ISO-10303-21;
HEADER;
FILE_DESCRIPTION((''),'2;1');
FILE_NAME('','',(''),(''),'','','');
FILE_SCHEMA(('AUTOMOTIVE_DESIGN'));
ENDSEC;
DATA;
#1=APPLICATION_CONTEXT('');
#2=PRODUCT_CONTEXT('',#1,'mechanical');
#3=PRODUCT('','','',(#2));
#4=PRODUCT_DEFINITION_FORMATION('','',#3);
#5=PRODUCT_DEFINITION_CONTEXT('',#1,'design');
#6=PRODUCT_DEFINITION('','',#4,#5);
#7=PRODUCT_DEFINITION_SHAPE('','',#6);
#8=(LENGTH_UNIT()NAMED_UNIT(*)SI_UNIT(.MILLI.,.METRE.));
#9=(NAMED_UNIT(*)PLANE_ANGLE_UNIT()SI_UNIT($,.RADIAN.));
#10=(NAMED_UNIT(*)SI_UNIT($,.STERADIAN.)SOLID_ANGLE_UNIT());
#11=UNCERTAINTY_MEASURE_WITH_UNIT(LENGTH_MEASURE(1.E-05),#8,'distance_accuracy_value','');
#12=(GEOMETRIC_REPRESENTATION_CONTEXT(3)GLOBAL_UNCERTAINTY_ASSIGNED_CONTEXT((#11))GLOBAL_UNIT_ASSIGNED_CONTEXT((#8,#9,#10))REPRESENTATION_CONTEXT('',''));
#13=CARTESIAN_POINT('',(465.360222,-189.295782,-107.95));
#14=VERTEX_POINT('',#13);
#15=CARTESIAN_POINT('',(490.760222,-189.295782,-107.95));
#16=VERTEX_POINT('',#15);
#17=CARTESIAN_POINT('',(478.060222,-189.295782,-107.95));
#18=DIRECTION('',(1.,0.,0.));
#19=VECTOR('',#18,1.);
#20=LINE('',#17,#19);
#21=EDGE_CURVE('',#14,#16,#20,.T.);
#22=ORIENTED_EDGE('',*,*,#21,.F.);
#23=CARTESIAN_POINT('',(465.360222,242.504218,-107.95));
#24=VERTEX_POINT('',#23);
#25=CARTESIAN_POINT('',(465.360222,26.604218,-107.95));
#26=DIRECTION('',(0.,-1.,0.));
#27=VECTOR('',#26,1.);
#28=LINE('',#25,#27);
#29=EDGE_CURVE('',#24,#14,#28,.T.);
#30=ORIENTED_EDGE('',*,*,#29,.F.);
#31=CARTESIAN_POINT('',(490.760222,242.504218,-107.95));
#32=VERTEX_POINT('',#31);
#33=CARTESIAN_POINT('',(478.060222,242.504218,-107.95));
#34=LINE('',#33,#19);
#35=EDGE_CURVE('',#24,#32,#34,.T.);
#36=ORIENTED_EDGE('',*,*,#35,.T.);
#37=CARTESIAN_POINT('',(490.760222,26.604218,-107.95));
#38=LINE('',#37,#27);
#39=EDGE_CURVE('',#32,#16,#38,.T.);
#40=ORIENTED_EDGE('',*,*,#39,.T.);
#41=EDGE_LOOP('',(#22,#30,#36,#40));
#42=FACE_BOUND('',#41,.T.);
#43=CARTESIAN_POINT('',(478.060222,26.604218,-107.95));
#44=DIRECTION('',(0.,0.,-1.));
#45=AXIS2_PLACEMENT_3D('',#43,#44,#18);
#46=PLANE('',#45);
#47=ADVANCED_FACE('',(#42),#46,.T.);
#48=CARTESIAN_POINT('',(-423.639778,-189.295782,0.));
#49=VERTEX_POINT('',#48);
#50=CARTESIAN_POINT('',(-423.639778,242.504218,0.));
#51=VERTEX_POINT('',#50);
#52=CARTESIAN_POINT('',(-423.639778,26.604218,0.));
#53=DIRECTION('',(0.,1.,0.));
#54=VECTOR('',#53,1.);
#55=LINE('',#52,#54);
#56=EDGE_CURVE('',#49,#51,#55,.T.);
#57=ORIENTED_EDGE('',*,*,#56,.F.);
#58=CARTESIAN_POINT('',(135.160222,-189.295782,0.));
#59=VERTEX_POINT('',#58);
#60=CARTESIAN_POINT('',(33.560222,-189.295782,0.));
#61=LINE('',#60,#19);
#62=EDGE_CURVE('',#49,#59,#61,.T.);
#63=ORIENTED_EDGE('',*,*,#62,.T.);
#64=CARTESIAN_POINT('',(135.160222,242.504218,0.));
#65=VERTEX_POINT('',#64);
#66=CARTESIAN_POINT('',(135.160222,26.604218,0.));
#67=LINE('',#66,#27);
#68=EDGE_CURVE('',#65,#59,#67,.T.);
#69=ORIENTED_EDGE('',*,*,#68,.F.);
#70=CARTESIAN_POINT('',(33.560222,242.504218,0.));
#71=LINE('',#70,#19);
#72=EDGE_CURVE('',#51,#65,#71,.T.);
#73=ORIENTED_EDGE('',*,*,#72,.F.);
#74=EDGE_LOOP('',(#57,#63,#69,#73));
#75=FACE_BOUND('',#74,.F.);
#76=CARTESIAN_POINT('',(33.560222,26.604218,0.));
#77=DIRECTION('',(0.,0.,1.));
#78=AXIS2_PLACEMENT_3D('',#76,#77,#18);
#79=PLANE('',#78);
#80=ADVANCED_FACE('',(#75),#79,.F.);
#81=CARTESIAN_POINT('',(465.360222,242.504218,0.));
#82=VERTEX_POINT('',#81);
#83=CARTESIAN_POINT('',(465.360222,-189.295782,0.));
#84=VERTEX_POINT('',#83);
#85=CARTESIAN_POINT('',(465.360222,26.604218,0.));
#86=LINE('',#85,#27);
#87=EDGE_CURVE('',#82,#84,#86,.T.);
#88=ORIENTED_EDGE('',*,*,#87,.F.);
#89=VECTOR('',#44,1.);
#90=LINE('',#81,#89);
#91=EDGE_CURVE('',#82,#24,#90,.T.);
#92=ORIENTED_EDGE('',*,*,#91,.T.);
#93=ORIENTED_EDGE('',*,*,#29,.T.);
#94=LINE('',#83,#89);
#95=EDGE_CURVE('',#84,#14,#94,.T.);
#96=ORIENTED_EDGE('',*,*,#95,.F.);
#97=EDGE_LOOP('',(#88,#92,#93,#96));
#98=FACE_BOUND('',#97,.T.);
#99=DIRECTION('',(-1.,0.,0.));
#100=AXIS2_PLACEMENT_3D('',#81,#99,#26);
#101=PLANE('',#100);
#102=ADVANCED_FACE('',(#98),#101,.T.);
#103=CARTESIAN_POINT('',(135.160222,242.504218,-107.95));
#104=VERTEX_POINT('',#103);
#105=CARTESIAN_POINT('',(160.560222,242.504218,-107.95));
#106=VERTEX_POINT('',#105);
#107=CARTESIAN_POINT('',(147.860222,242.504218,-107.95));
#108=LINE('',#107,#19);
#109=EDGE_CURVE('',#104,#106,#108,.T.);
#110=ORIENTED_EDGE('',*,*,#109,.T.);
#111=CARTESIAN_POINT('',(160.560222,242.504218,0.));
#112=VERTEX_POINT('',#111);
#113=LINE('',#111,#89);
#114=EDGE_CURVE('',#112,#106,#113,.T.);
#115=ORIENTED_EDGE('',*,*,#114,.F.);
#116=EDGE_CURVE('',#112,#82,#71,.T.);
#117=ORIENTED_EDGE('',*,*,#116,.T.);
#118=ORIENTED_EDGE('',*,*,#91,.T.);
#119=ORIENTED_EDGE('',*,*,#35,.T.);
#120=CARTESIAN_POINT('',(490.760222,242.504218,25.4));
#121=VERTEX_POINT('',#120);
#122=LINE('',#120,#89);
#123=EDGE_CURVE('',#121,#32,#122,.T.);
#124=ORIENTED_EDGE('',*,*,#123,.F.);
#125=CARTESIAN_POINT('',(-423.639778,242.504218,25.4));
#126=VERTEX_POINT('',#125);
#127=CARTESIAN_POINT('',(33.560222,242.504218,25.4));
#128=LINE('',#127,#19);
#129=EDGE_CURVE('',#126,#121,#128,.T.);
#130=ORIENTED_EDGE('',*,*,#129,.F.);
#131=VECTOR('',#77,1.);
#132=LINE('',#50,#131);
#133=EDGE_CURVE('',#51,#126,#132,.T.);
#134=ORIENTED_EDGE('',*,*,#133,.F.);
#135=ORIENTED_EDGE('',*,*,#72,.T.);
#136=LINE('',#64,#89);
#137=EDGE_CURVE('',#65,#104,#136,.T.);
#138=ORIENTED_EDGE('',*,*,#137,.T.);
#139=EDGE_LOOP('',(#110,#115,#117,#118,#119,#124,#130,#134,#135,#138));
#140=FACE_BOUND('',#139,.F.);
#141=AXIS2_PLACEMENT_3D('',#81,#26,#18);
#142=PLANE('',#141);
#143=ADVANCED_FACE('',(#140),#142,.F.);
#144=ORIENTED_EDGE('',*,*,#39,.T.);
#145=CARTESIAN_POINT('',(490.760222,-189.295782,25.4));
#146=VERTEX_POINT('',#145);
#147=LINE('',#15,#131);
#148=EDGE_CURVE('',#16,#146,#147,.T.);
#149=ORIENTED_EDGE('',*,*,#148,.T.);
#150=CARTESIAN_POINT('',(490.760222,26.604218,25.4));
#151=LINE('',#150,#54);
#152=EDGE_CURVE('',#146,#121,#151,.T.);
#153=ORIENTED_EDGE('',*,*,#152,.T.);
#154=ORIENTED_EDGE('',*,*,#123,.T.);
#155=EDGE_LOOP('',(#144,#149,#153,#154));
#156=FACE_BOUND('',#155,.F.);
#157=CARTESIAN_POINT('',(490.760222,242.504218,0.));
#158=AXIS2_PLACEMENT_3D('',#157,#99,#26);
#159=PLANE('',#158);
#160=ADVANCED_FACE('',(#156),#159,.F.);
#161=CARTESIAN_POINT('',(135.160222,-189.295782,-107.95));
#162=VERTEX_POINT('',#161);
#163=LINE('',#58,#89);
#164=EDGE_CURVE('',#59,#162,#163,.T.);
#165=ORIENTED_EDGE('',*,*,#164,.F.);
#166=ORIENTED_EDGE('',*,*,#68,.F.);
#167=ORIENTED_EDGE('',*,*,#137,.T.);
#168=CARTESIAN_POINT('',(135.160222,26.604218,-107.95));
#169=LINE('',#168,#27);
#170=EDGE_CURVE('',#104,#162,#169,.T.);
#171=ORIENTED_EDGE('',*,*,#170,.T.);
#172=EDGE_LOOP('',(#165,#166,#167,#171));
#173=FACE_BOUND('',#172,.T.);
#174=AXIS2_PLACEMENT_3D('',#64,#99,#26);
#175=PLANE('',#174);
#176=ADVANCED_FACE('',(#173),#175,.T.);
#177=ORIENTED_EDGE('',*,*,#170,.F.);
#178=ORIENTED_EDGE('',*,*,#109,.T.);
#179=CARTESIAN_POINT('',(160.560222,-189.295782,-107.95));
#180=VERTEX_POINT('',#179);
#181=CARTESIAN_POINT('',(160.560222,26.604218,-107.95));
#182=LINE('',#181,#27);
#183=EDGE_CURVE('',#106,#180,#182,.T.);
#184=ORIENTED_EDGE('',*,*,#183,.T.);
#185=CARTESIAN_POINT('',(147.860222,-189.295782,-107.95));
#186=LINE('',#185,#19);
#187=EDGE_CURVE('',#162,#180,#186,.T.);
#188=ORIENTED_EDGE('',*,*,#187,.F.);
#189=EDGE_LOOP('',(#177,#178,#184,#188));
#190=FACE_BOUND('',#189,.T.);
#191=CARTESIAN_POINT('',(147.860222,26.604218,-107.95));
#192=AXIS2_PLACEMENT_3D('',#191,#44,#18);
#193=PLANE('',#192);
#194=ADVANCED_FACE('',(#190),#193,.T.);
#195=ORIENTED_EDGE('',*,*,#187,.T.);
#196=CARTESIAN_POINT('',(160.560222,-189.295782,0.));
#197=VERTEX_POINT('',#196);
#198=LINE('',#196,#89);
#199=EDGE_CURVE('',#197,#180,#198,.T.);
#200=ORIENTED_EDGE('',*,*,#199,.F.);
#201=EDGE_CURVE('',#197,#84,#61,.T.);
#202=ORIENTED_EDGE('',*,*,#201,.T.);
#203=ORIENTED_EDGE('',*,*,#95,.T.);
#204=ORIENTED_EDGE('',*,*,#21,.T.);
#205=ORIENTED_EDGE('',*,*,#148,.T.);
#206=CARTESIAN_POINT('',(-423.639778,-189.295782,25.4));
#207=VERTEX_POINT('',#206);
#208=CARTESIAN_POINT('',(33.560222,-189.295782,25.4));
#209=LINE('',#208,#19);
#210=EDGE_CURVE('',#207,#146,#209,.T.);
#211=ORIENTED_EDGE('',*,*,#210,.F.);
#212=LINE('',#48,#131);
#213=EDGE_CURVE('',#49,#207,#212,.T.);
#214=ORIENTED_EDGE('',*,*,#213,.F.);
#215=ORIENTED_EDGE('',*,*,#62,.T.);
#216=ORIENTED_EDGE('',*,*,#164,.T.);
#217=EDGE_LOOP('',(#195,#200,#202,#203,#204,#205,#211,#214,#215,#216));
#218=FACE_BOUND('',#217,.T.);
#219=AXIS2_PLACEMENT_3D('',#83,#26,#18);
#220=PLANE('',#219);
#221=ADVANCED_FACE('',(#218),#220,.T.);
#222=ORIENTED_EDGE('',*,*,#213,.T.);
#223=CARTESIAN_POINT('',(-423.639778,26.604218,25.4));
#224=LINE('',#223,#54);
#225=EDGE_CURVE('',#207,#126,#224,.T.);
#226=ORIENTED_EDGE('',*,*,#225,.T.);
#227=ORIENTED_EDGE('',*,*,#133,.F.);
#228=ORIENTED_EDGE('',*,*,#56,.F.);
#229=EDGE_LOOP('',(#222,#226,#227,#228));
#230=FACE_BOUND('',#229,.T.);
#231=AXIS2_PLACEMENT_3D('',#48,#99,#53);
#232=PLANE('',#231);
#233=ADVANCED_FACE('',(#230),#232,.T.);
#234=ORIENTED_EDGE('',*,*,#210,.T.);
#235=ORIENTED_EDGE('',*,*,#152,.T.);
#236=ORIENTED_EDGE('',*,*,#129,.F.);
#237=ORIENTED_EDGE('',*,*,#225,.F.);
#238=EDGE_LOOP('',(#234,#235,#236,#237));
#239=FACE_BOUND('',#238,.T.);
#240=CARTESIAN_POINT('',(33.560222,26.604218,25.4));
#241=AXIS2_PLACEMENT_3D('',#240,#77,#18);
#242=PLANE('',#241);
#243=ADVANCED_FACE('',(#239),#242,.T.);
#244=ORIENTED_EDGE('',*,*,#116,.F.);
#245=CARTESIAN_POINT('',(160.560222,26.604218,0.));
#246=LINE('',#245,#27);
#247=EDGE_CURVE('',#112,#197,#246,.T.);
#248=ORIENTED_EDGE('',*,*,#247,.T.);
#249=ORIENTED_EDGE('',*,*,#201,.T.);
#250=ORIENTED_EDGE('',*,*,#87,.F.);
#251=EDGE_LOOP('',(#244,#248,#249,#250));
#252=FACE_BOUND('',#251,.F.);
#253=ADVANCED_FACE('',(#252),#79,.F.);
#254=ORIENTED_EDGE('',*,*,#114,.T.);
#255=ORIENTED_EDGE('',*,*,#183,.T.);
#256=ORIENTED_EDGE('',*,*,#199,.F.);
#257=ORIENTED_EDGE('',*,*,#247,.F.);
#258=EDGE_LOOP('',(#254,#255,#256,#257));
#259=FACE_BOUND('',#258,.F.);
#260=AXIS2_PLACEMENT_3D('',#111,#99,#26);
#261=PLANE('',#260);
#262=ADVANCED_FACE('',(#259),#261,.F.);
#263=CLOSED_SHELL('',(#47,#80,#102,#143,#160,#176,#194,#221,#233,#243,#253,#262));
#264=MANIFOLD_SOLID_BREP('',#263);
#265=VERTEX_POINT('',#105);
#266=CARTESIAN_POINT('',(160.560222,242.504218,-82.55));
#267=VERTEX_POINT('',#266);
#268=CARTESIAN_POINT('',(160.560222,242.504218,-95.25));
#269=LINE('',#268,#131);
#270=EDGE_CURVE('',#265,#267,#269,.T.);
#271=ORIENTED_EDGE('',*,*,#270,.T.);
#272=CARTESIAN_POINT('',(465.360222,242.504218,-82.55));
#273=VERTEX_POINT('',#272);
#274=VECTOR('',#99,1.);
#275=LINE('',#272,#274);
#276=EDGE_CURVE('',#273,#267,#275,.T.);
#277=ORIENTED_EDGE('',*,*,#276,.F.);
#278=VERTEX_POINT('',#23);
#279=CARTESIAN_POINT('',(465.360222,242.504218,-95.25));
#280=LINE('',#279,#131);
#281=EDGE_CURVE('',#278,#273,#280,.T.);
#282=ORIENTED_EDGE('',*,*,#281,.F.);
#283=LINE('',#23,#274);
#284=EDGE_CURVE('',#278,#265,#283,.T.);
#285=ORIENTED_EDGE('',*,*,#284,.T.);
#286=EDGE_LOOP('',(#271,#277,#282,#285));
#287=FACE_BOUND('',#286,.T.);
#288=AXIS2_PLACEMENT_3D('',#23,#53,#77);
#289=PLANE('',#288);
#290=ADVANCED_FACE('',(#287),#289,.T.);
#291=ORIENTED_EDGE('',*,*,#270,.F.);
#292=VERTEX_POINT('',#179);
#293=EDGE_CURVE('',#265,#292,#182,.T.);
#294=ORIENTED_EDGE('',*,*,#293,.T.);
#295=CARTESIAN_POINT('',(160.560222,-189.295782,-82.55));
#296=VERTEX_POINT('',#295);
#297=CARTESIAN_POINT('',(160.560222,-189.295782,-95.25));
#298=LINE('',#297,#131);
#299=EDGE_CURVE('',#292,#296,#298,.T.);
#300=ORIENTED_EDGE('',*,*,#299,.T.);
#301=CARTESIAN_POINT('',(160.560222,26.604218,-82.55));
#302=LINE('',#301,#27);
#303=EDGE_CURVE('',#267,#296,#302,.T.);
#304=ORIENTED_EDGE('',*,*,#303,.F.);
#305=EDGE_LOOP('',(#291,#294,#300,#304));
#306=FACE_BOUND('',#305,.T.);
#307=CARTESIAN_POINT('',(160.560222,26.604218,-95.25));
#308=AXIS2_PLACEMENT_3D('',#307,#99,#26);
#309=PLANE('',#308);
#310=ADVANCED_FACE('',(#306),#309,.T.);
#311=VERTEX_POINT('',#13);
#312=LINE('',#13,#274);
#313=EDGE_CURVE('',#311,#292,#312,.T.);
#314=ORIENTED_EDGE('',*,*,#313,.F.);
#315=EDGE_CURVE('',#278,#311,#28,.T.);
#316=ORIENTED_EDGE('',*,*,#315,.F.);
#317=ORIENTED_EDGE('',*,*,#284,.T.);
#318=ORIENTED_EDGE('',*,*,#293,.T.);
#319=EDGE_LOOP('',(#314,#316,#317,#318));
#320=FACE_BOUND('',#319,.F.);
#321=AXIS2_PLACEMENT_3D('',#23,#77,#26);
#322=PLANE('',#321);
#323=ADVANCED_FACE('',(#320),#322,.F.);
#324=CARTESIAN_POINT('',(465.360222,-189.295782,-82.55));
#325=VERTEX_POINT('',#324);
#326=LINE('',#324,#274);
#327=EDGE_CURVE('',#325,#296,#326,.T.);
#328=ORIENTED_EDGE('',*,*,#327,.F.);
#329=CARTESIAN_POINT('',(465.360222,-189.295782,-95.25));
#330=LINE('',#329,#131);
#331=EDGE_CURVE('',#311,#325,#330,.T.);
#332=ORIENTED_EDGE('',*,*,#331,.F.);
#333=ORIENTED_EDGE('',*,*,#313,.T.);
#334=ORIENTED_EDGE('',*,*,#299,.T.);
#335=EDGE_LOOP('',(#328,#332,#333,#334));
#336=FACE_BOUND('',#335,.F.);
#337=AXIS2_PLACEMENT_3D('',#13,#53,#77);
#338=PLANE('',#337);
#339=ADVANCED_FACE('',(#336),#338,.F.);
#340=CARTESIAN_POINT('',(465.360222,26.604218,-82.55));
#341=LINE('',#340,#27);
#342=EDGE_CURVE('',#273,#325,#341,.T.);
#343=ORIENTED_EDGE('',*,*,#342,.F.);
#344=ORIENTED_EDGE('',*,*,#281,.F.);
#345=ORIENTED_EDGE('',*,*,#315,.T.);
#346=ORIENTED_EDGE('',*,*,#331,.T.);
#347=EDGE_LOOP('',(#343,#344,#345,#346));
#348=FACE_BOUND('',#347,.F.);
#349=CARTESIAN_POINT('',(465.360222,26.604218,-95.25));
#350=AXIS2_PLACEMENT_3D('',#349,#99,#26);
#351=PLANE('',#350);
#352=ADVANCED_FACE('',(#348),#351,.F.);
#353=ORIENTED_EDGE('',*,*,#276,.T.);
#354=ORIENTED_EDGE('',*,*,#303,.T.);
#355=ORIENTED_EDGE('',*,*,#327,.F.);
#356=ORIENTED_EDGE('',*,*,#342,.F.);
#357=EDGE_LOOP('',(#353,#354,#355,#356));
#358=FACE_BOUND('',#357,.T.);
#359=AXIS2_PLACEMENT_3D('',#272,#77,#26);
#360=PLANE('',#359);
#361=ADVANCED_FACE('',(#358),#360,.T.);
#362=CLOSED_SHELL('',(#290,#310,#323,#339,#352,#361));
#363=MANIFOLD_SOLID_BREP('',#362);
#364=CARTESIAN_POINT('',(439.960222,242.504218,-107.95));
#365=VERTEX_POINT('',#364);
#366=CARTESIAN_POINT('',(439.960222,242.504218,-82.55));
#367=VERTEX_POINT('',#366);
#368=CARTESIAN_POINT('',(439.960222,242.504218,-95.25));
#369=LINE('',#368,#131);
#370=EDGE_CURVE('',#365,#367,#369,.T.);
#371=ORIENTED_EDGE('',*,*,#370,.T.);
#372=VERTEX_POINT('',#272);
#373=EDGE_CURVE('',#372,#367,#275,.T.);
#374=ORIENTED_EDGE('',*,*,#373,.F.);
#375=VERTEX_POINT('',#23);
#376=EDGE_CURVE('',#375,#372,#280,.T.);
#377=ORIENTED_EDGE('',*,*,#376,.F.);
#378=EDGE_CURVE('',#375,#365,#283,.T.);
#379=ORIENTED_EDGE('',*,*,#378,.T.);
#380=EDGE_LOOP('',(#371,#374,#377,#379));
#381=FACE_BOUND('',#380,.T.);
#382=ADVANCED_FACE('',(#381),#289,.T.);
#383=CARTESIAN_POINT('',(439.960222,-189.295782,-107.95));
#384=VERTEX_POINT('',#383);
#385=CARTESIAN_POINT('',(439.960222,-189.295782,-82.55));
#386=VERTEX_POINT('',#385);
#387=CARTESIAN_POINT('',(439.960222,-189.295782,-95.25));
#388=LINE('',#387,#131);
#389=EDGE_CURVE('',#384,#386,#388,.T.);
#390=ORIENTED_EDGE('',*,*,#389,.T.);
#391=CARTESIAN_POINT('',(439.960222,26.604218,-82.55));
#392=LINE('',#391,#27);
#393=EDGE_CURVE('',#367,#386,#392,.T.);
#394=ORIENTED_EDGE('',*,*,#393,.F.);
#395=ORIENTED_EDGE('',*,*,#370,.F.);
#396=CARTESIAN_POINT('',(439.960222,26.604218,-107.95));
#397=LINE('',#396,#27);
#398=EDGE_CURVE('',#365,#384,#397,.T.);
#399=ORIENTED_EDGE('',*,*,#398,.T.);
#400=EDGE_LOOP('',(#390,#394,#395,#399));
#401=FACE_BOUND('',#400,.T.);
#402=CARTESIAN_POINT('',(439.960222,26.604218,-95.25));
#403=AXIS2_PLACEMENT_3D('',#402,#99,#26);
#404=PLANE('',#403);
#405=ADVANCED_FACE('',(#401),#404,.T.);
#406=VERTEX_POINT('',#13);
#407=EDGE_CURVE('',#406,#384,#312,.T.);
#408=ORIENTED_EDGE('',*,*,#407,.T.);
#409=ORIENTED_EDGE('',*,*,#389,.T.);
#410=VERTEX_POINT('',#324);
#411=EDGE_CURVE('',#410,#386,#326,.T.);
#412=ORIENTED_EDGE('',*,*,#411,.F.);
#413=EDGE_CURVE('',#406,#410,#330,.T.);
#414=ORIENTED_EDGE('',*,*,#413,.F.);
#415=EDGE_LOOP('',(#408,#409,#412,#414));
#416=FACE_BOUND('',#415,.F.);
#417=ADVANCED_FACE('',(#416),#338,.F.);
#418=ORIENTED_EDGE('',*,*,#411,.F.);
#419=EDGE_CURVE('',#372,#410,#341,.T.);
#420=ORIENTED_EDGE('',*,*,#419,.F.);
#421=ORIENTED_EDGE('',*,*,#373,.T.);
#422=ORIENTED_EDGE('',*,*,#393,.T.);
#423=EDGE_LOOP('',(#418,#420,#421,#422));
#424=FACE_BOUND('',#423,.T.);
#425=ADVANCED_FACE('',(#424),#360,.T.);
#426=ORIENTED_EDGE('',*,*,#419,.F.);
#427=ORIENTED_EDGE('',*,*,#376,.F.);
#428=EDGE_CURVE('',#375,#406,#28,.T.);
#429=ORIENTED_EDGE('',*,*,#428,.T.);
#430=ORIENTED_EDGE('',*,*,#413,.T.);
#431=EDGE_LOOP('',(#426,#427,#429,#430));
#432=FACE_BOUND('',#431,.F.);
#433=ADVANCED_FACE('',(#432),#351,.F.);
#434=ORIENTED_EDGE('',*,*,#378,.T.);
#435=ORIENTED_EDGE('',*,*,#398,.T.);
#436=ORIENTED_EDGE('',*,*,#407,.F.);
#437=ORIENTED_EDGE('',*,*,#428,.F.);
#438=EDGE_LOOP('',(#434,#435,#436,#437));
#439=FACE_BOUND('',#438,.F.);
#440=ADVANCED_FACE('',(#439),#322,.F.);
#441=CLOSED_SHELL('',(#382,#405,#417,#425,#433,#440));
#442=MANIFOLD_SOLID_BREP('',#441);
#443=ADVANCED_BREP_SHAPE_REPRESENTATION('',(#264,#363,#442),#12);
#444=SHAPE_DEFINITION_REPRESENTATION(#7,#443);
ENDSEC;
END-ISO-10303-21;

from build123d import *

# Parameters (mm, degrees)
F0_W     = 914.4
F0_H     = 431.8
F1_DEPTH = 25.4
F2_W     = 25.4
F2_H     = 431.8
F3_DEPTH = 107.95
F4_W     = 431.8
F4_H     = 25.4
F5_DEPTH = 25.4
F6_DEPTH = 304.8


with BuildPart() as f1:
    # F0 (on Top) → F1 (new body)
    with BuildSketch(Plane.XY):
        with Locations((33.560222, 26.604218)):
            Rectangle(F0_W, F0_H)
    extrude(amount=F1_DEPTH)

    # F2 (on face) → F3 (join)
    with BuildSketch(Plane(origin=(0, 0, 0), x_dir=(1, 0, 0), z_dir=(0, 0, -1))):
        with Locations((478.060222, -26.604218)):
            Rectangle(F2_W, F2_H)
        with Locations((147.860222, -26.604218)):
            Rectangle(F2_W, F2_H)
    extrude(amount=F3_DEPTH)


with BuildPart() as f5:
    # F4 (on face) → F5 (new body)
    with BuildSketch(Plane(origin=(465.360222, 0, 0), x_dir=(0, -1, 0), z_dir=(-1, 0, 0))):
        with Locations((-26.604218, -95.25)):
            Rectangle(F4_W, F4_H)
    extrude(amount=F5_DEPTH)


with BuildPart() as f6:
    # F4 (on face) → F6 (new body)
    with BuildSketch(Plane(origin=(465.360222, 0, 0), x_dir=(0, -1, 0), z_dir=(-1, 0, 0))):
        with Locations((-26.604218, -95.25)):
            Rectangle(F4_W, F4_H)
    extrude(amount=F6_DEPTH)


solid = Compound([f1.part, f5.part, f6.part])
